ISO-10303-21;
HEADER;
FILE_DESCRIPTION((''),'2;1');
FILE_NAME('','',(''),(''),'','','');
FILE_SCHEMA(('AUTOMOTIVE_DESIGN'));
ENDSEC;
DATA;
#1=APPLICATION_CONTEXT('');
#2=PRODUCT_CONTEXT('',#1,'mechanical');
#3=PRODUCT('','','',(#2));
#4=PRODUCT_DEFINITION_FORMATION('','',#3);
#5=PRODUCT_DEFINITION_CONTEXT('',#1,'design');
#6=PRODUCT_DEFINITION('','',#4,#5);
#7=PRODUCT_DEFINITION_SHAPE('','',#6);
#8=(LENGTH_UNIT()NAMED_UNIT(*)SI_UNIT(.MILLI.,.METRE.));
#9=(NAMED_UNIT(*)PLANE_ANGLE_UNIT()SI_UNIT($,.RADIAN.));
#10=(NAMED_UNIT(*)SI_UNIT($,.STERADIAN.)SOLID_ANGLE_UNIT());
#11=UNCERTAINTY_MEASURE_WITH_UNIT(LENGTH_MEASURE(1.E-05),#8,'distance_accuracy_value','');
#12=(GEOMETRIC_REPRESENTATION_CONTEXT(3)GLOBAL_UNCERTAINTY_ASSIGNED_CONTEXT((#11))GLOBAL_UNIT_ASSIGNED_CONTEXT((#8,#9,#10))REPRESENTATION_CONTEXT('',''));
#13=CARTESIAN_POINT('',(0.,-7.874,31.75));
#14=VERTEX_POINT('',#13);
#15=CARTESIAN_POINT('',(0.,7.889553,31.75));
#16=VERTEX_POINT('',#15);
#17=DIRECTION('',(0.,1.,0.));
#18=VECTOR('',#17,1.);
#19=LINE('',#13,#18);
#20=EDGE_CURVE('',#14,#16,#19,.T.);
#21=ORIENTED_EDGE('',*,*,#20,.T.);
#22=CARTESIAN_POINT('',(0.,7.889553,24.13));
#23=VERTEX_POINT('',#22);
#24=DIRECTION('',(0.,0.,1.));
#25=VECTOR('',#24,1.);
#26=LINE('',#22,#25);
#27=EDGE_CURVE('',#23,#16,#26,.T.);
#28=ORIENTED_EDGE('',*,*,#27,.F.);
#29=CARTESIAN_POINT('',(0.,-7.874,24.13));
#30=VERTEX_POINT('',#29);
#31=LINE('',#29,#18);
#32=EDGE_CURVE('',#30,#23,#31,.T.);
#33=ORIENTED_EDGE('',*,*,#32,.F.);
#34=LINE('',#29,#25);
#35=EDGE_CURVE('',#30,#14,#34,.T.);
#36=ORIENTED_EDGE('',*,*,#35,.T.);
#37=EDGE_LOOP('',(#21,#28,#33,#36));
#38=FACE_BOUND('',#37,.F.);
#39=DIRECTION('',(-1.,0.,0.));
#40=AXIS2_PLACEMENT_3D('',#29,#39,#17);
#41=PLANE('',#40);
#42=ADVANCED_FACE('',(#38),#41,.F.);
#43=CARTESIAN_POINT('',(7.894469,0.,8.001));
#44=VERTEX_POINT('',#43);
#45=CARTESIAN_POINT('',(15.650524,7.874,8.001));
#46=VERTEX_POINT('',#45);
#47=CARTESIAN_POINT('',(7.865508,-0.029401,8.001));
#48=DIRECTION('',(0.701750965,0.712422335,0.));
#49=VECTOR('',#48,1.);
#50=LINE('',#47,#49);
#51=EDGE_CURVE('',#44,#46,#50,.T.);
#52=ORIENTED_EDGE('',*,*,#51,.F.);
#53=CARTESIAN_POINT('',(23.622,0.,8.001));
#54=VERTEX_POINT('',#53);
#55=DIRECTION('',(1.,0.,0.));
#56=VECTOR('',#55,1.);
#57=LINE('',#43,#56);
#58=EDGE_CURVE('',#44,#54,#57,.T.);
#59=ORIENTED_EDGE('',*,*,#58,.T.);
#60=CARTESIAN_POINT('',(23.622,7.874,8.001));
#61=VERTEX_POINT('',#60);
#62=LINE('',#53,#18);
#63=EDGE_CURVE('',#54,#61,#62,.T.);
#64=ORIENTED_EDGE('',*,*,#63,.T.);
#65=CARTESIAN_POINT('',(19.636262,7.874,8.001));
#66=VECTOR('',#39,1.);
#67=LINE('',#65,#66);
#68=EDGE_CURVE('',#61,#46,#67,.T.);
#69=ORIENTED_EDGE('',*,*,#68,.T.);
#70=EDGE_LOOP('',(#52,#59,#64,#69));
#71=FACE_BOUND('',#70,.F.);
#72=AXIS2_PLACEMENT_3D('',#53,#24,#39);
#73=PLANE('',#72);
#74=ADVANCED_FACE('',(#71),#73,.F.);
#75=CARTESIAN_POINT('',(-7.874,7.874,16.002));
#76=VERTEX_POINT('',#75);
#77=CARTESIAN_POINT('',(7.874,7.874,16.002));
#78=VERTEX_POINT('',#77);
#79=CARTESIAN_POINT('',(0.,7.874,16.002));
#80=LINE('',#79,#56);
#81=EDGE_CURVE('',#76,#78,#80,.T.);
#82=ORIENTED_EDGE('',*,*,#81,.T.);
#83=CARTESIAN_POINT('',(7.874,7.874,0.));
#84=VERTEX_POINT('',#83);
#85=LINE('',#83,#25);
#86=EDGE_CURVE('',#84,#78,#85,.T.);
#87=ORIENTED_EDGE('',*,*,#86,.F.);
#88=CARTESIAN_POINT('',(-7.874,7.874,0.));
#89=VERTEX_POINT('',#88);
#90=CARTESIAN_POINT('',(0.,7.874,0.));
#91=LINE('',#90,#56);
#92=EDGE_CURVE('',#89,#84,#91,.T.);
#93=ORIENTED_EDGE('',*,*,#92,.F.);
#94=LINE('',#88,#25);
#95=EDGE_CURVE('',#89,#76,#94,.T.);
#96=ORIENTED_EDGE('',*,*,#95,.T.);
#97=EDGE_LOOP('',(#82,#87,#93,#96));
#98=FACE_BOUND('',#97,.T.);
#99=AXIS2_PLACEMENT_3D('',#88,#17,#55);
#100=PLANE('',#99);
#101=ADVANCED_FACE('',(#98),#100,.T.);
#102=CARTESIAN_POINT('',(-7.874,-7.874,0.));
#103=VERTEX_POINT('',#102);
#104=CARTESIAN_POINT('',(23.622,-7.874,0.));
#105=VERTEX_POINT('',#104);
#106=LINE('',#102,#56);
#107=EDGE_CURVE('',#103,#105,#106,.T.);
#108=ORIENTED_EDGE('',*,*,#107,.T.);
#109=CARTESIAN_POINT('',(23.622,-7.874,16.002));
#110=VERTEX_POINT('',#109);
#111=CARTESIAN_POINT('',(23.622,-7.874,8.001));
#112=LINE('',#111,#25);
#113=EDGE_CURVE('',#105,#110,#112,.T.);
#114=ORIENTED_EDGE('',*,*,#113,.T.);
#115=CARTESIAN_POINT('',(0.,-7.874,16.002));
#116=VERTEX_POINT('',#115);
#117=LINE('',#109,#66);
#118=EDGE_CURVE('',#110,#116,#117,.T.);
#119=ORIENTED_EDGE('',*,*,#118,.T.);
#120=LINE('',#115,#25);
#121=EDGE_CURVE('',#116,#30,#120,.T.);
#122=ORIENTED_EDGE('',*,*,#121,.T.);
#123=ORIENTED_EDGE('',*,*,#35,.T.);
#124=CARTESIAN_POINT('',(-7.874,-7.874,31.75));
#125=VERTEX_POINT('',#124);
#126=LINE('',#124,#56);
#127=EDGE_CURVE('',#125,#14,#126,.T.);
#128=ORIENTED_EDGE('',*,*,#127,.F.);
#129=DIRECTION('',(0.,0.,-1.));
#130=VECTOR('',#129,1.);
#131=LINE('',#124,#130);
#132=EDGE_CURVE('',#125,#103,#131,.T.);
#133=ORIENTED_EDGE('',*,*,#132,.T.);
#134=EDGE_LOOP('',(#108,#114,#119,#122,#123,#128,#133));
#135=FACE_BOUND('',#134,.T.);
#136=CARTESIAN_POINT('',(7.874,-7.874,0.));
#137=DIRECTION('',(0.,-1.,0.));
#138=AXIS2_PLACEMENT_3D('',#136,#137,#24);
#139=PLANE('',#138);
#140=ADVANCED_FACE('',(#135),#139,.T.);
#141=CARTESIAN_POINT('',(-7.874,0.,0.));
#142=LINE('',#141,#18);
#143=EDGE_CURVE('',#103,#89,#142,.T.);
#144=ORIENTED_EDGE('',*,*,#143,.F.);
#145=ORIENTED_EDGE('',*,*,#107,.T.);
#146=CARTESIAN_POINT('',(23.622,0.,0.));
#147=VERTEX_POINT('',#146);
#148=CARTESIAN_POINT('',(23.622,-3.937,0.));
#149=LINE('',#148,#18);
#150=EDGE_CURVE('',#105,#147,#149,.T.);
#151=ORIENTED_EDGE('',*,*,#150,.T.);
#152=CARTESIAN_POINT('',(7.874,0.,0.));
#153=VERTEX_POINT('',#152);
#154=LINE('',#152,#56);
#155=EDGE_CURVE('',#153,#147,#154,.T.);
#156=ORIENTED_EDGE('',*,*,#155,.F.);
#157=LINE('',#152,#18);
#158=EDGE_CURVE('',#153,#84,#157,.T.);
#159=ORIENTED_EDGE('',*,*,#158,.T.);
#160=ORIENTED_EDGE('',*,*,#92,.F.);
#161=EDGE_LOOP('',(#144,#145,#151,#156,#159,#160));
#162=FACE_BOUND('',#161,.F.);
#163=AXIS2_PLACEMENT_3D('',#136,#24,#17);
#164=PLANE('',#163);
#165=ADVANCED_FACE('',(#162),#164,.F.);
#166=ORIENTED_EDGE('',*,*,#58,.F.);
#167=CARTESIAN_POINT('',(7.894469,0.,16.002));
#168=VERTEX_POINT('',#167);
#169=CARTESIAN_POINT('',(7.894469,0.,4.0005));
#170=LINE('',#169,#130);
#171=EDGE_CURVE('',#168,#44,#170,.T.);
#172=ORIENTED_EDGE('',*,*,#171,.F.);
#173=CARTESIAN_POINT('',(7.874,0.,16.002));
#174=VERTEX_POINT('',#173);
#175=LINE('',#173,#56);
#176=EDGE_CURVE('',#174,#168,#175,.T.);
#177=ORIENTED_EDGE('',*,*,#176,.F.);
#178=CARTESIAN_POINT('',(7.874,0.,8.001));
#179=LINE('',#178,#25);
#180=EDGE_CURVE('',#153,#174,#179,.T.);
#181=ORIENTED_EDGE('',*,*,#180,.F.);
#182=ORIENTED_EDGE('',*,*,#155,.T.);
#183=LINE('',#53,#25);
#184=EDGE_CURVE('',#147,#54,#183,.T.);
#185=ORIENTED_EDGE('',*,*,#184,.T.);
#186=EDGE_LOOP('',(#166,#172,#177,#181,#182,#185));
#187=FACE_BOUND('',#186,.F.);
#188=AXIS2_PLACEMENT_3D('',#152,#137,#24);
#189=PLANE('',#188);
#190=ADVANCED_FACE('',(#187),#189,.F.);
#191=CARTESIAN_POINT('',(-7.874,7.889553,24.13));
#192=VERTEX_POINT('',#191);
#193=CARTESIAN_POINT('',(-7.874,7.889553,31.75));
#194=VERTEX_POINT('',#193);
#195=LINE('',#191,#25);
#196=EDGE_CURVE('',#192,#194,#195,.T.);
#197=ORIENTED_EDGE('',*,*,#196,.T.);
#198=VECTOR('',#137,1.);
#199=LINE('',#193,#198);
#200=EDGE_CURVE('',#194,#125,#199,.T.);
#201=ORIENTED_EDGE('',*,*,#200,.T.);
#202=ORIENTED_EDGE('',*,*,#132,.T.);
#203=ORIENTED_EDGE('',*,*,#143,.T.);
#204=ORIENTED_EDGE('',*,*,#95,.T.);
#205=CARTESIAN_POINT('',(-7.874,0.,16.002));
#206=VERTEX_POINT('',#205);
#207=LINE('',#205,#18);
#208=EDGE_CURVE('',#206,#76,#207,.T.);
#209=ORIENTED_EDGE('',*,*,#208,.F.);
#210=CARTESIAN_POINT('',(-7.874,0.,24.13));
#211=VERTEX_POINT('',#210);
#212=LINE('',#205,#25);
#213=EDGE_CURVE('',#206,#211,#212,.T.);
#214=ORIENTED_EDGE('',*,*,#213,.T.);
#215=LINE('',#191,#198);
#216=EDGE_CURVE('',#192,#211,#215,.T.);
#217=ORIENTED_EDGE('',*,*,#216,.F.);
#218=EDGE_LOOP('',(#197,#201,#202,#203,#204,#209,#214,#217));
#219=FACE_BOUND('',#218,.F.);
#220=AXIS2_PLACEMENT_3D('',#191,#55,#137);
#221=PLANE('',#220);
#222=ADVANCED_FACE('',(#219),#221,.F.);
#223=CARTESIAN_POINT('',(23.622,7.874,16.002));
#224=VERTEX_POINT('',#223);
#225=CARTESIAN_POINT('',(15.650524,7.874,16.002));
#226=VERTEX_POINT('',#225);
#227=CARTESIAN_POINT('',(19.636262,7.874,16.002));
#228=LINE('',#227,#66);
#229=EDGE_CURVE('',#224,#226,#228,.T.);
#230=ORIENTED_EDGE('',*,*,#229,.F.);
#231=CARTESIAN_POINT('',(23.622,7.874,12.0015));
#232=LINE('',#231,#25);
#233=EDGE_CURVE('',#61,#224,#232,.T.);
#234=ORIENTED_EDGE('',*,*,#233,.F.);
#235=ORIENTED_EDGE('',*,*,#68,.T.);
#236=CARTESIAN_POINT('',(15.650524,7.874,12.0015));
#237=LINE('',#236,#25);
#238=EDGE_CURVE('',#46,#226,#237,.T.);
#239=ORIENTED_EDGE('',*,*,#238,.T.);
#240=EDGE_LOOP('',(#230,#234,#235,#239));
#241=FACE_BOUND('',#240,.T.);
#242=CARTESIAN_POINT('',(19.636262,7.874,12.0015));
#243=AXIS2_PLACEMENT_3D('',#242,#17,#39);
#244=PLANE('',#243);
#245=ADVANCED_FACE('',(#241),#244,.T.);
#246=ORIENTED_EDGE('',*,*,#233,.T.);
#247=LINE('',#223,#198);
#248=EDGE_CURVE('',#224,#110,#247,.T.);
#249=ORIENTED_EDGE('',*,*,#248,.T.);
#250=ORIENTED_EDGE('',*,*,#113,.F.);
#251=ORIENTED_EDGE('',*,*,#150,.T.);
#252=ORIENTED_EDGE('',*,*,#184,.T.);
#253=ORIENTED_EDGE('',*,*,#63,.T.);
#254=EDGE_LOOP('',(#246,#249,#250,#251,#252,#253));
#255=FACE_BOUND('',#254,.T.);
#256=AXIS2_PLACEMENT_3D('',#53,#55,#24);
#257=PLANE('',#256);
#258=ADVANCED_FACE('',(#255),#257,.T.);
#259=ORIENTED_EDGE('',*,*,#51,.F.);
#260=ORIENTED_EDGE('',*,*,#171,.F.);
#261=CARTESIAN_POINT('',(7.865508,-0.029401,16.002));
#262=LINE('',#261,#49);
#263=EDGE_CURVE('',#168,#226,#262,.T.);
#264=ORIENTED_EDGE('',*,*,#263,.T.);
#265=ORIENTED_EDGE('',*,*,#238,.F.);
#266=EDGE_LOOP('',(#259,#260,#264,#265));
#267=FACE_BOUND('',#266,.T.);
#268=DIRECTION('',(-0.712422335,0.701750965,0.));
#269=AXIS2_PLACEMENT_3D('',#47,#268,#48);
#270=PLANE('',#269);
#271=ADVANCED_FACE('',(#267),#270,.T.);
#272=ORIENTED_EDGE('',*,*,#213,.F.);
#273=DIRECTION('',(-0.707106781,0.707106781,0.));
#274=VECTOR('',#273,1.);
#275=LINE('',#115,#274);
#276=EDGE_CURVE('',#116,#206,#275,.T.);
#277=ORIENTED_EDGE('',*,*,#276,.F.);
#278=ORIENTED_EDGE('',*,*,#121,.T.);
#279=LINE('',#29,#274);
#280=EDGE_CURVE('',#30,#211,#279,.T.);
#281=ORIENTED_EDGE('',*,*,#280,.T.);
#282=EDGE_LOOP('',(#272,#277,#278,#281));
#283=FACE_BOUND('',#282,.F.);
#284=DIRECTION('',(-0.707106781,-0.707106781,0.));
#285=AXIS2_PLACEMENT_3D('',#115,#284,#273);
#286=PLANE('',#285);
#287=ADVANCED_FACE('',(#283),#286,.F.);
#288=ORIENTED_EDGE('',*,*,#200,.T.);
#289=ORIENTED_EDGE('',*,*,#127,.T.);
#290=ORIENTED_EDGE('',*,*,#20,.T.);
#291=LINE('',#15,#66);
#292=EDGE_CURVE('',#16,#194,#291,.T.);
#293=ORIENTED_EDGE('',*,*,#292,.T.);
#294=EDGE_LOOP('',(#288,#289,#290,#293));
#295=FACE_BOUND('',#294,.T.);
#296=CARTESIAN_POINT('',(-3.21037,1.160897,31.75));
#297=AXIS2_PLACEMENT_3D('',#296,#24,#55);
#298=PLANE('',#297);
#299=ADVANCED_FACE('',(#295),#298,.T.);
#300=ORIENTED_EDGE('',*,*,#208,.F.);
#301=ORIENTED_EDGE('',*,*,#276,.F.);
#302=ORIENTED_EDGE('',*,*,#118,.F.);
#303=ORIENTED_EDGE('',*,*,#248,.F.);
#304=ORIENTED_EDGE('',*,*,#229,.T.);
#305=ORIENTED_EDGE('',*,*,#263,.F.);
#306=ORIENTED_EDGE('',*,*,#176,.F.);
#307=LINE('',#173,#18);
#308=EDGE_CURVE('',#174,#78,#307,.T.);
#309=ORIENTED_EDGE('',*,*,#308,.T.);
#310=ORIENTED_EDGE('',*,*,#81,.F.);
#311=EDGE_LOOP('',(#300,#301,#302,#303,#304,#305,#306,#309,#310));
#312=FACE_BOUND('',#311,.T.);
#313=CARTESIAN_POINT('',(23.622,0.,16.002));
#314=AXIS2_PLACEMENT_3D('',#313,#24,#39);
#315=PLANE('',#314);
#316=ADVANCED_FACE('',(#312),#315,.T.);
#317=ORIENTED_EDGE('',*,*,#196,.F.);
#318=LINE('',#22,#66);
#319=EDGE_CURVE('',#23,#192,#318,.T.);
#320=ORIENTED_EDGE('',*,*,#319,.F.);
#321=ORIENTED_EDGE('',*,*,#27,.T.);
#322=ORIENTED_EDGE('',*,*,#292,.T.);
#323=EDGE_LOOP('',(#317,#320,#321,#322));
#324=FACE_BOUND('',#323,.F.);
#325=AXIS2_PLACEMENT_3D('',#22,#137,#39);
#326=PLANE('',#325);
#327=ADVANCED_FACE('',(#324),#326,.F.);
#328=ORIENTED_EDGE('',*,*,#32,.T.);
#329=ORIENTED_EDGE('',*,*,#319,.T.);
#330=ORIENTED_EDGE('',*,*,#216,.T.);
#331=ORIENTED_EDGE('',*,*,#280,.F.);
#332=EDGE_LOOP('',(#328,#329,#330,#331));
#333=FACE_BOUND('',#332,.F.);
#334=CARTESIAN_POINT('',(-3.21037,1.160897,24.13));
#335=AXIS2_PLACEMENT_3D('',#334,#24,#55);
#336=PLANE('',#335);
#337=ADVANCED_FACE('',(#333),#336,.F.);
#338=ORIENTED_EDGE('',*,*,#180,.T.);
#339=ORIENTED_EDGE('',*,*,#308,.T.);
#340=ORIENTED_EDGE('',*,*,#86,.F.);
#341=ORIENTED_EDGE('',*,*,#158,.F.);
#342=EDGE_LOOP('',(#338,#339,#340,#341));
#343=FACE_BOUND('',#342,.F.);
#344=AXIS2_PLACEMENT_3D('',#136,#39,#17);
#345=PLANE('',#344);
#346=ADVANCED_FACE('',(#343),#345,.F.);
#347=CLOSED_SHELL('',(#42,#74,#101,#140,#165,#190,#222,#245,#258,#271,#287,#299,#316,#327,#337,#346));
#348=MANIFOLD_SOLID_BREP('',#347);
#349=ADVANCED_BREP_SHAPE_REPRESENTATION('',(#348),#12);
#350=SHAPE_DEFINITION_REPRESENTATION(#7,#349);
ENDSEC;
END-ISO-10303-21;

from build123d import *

# Parameters (mm, degrees)
F0_W      = 15.748
F0_H      = 15.748
F1_DEPTH  = 16.002
F3_DEPTH  = 8.128
F5_DEPTH  = 7.62
F6_W      = 7.874
F6_H      = 16.002
F7_DEPTH  = 15.748
F8_W      = 7.971476
F8_H      = 8.001
F9_DEPTH  = 7.874
F11_DEPTH = 8.001


with BuildPart() as f1:
    # F0 (on Top) → F1 (new body)
    with BuildSketch(Plane.XY):
        Rectangle(F0_W, F0_H)
    extrude(amount=F1_DEPTH)

    # F2 (on face) → F3 (join)
    with BuildSketch(Plane.XY.offset(16.002)):
        Polygon((0, -7.874), (-7.874, 0), (-7.874, -7.874), align=None)
    extrude(amount=F3_DEPTH)

    # F4 (on face) → F5 (join)
    with BuildSketch(Plane.XY.offset(24.13)):
        Polygon((-7.874, 0), (0, -7.874), (0, 7.889553), (-7.874, 7.889553), align=None)
        Polygon((-7.874, 0), (-7.874, -7.874), (0, -7.874), align=None)
    extrude(amount=F5_DEPTH)

    # F6 (on face) → F7 (join)
    with BuildSketch(Plane.YZ.offset(7.874)):
        with Locations((-3.937, 8.001)):
            Rectangle(F6_W, F6_H)
    extrude(amount=F7_DEPTH)

    # F8 (on face) → F9 (join, through all)
    with BuildSketch(Plane(origin=(0, 0, 0), x_dir=(-1, 0, 0), z_dir=(0, 1, 0))):
        with Locations((-19.636262, 12.0015)):
            Rectangle(F8_W, F8_H)
    extrude(amount=F9_DEPTH)

    # F10 (on face) → F11 (join, through all)
    with BuildSketch(Plane(origin=(0, 0, 8.001), x_dir=(1, 0, 0), z_dir=(0, 0, -1))):
        Polygon((7.865508, 0.029401), (15.650524, -7.874), (15.650524, 0), align=None)
    extrude(amount=-F11_DEPTH)


solid = f1.part
